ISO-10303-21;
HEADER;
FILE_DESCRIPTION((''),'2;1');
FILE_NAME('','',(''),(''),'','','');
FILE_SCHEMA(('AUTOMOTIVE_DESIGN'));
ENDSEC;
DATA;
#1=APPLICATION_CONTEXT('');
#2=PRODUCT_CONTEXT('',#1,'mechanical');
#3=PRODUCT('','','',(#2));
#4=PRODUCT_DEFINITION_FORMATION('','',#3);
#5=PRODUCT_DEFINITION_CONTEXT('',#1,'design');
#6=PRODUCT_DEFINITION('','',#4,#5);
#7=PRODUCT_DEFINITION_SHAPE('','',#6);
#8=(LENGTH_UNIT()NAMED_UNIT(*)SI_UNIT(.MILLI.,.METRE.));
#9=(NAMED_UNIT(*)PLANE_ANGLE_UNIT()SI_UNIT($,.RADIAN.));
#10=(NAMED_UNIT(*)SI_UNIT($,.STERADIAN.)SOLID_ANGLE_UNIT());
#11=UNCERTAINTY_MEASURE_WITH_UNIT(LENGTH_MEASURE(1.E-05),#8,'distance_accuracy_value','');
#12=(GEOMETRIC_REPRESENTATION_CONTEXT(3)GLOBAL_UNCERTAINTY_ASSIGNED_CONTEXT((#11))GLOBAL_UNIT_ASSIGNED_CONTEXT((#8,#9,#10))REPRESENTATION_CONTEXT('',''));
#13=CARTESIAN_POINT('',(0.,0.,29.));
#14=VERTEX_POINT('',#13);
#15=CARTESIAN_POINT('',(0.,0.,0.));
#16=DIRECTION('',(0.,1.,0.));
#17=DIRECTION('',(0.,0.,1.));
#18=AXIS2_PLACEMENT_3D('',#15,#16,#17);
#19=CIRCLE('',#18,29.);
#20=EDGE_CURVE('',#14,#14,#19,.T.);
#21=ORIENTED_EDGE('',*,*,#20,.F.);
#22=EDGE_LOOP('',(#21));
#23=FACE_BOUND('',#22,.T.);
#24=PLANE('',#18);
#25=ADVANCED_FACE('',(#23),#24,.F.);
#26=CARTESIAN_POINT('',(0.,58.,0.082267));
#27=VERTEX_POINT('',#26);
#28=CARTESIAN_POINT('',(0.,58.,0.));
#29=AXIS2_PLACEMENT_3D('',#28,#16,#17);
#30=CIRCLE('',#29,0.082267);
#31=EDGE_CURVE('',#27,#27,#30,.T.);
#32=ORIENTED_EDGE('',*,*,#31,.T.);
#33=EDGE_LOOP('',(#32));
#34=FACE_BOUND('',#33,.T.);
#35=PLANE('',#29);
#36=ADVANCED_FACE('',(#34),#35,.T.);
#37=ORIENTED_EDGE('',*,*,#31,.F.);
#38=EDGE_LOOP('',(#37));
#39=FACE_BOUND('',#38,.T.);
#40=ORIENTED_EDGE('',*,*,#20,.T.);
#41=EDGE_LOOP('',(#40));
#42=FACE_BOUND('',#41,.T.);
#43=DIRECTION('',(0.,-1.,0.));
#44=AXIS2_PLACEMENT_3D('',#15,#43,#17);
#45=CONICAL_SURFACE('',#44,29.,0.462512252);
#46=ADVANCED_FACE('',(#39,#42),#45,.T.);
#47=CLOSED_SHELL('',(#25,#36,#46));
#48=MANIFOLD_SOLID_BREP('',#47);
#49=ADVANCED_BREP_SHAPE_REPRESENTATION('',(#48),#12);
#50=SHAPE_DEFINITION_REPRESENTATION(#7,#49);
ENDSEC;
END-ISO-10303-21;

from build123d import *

# Parameters (mm, degrees)
ESQUISSE1_R        = 29
BOSS_EXTRU_1_DEPTH = 58
BOSS_EXTRU_1_TAPER = 26.5


with BuildPart() as part:
    # Esquisse1 → Boss.-Extru.1 (new body)
    with BuildSketch(Plane(origin=(0, 0, 0), x_dir=(1, 0, 0), z_dir=(0, 1, 0))):
        Circle(ESQUISSE1_R)
    extrude(amount=BOSS_EXTRU_1_DEPTH, taper=BOSS_EXTRU_1_TAPER)


solid = part.part
